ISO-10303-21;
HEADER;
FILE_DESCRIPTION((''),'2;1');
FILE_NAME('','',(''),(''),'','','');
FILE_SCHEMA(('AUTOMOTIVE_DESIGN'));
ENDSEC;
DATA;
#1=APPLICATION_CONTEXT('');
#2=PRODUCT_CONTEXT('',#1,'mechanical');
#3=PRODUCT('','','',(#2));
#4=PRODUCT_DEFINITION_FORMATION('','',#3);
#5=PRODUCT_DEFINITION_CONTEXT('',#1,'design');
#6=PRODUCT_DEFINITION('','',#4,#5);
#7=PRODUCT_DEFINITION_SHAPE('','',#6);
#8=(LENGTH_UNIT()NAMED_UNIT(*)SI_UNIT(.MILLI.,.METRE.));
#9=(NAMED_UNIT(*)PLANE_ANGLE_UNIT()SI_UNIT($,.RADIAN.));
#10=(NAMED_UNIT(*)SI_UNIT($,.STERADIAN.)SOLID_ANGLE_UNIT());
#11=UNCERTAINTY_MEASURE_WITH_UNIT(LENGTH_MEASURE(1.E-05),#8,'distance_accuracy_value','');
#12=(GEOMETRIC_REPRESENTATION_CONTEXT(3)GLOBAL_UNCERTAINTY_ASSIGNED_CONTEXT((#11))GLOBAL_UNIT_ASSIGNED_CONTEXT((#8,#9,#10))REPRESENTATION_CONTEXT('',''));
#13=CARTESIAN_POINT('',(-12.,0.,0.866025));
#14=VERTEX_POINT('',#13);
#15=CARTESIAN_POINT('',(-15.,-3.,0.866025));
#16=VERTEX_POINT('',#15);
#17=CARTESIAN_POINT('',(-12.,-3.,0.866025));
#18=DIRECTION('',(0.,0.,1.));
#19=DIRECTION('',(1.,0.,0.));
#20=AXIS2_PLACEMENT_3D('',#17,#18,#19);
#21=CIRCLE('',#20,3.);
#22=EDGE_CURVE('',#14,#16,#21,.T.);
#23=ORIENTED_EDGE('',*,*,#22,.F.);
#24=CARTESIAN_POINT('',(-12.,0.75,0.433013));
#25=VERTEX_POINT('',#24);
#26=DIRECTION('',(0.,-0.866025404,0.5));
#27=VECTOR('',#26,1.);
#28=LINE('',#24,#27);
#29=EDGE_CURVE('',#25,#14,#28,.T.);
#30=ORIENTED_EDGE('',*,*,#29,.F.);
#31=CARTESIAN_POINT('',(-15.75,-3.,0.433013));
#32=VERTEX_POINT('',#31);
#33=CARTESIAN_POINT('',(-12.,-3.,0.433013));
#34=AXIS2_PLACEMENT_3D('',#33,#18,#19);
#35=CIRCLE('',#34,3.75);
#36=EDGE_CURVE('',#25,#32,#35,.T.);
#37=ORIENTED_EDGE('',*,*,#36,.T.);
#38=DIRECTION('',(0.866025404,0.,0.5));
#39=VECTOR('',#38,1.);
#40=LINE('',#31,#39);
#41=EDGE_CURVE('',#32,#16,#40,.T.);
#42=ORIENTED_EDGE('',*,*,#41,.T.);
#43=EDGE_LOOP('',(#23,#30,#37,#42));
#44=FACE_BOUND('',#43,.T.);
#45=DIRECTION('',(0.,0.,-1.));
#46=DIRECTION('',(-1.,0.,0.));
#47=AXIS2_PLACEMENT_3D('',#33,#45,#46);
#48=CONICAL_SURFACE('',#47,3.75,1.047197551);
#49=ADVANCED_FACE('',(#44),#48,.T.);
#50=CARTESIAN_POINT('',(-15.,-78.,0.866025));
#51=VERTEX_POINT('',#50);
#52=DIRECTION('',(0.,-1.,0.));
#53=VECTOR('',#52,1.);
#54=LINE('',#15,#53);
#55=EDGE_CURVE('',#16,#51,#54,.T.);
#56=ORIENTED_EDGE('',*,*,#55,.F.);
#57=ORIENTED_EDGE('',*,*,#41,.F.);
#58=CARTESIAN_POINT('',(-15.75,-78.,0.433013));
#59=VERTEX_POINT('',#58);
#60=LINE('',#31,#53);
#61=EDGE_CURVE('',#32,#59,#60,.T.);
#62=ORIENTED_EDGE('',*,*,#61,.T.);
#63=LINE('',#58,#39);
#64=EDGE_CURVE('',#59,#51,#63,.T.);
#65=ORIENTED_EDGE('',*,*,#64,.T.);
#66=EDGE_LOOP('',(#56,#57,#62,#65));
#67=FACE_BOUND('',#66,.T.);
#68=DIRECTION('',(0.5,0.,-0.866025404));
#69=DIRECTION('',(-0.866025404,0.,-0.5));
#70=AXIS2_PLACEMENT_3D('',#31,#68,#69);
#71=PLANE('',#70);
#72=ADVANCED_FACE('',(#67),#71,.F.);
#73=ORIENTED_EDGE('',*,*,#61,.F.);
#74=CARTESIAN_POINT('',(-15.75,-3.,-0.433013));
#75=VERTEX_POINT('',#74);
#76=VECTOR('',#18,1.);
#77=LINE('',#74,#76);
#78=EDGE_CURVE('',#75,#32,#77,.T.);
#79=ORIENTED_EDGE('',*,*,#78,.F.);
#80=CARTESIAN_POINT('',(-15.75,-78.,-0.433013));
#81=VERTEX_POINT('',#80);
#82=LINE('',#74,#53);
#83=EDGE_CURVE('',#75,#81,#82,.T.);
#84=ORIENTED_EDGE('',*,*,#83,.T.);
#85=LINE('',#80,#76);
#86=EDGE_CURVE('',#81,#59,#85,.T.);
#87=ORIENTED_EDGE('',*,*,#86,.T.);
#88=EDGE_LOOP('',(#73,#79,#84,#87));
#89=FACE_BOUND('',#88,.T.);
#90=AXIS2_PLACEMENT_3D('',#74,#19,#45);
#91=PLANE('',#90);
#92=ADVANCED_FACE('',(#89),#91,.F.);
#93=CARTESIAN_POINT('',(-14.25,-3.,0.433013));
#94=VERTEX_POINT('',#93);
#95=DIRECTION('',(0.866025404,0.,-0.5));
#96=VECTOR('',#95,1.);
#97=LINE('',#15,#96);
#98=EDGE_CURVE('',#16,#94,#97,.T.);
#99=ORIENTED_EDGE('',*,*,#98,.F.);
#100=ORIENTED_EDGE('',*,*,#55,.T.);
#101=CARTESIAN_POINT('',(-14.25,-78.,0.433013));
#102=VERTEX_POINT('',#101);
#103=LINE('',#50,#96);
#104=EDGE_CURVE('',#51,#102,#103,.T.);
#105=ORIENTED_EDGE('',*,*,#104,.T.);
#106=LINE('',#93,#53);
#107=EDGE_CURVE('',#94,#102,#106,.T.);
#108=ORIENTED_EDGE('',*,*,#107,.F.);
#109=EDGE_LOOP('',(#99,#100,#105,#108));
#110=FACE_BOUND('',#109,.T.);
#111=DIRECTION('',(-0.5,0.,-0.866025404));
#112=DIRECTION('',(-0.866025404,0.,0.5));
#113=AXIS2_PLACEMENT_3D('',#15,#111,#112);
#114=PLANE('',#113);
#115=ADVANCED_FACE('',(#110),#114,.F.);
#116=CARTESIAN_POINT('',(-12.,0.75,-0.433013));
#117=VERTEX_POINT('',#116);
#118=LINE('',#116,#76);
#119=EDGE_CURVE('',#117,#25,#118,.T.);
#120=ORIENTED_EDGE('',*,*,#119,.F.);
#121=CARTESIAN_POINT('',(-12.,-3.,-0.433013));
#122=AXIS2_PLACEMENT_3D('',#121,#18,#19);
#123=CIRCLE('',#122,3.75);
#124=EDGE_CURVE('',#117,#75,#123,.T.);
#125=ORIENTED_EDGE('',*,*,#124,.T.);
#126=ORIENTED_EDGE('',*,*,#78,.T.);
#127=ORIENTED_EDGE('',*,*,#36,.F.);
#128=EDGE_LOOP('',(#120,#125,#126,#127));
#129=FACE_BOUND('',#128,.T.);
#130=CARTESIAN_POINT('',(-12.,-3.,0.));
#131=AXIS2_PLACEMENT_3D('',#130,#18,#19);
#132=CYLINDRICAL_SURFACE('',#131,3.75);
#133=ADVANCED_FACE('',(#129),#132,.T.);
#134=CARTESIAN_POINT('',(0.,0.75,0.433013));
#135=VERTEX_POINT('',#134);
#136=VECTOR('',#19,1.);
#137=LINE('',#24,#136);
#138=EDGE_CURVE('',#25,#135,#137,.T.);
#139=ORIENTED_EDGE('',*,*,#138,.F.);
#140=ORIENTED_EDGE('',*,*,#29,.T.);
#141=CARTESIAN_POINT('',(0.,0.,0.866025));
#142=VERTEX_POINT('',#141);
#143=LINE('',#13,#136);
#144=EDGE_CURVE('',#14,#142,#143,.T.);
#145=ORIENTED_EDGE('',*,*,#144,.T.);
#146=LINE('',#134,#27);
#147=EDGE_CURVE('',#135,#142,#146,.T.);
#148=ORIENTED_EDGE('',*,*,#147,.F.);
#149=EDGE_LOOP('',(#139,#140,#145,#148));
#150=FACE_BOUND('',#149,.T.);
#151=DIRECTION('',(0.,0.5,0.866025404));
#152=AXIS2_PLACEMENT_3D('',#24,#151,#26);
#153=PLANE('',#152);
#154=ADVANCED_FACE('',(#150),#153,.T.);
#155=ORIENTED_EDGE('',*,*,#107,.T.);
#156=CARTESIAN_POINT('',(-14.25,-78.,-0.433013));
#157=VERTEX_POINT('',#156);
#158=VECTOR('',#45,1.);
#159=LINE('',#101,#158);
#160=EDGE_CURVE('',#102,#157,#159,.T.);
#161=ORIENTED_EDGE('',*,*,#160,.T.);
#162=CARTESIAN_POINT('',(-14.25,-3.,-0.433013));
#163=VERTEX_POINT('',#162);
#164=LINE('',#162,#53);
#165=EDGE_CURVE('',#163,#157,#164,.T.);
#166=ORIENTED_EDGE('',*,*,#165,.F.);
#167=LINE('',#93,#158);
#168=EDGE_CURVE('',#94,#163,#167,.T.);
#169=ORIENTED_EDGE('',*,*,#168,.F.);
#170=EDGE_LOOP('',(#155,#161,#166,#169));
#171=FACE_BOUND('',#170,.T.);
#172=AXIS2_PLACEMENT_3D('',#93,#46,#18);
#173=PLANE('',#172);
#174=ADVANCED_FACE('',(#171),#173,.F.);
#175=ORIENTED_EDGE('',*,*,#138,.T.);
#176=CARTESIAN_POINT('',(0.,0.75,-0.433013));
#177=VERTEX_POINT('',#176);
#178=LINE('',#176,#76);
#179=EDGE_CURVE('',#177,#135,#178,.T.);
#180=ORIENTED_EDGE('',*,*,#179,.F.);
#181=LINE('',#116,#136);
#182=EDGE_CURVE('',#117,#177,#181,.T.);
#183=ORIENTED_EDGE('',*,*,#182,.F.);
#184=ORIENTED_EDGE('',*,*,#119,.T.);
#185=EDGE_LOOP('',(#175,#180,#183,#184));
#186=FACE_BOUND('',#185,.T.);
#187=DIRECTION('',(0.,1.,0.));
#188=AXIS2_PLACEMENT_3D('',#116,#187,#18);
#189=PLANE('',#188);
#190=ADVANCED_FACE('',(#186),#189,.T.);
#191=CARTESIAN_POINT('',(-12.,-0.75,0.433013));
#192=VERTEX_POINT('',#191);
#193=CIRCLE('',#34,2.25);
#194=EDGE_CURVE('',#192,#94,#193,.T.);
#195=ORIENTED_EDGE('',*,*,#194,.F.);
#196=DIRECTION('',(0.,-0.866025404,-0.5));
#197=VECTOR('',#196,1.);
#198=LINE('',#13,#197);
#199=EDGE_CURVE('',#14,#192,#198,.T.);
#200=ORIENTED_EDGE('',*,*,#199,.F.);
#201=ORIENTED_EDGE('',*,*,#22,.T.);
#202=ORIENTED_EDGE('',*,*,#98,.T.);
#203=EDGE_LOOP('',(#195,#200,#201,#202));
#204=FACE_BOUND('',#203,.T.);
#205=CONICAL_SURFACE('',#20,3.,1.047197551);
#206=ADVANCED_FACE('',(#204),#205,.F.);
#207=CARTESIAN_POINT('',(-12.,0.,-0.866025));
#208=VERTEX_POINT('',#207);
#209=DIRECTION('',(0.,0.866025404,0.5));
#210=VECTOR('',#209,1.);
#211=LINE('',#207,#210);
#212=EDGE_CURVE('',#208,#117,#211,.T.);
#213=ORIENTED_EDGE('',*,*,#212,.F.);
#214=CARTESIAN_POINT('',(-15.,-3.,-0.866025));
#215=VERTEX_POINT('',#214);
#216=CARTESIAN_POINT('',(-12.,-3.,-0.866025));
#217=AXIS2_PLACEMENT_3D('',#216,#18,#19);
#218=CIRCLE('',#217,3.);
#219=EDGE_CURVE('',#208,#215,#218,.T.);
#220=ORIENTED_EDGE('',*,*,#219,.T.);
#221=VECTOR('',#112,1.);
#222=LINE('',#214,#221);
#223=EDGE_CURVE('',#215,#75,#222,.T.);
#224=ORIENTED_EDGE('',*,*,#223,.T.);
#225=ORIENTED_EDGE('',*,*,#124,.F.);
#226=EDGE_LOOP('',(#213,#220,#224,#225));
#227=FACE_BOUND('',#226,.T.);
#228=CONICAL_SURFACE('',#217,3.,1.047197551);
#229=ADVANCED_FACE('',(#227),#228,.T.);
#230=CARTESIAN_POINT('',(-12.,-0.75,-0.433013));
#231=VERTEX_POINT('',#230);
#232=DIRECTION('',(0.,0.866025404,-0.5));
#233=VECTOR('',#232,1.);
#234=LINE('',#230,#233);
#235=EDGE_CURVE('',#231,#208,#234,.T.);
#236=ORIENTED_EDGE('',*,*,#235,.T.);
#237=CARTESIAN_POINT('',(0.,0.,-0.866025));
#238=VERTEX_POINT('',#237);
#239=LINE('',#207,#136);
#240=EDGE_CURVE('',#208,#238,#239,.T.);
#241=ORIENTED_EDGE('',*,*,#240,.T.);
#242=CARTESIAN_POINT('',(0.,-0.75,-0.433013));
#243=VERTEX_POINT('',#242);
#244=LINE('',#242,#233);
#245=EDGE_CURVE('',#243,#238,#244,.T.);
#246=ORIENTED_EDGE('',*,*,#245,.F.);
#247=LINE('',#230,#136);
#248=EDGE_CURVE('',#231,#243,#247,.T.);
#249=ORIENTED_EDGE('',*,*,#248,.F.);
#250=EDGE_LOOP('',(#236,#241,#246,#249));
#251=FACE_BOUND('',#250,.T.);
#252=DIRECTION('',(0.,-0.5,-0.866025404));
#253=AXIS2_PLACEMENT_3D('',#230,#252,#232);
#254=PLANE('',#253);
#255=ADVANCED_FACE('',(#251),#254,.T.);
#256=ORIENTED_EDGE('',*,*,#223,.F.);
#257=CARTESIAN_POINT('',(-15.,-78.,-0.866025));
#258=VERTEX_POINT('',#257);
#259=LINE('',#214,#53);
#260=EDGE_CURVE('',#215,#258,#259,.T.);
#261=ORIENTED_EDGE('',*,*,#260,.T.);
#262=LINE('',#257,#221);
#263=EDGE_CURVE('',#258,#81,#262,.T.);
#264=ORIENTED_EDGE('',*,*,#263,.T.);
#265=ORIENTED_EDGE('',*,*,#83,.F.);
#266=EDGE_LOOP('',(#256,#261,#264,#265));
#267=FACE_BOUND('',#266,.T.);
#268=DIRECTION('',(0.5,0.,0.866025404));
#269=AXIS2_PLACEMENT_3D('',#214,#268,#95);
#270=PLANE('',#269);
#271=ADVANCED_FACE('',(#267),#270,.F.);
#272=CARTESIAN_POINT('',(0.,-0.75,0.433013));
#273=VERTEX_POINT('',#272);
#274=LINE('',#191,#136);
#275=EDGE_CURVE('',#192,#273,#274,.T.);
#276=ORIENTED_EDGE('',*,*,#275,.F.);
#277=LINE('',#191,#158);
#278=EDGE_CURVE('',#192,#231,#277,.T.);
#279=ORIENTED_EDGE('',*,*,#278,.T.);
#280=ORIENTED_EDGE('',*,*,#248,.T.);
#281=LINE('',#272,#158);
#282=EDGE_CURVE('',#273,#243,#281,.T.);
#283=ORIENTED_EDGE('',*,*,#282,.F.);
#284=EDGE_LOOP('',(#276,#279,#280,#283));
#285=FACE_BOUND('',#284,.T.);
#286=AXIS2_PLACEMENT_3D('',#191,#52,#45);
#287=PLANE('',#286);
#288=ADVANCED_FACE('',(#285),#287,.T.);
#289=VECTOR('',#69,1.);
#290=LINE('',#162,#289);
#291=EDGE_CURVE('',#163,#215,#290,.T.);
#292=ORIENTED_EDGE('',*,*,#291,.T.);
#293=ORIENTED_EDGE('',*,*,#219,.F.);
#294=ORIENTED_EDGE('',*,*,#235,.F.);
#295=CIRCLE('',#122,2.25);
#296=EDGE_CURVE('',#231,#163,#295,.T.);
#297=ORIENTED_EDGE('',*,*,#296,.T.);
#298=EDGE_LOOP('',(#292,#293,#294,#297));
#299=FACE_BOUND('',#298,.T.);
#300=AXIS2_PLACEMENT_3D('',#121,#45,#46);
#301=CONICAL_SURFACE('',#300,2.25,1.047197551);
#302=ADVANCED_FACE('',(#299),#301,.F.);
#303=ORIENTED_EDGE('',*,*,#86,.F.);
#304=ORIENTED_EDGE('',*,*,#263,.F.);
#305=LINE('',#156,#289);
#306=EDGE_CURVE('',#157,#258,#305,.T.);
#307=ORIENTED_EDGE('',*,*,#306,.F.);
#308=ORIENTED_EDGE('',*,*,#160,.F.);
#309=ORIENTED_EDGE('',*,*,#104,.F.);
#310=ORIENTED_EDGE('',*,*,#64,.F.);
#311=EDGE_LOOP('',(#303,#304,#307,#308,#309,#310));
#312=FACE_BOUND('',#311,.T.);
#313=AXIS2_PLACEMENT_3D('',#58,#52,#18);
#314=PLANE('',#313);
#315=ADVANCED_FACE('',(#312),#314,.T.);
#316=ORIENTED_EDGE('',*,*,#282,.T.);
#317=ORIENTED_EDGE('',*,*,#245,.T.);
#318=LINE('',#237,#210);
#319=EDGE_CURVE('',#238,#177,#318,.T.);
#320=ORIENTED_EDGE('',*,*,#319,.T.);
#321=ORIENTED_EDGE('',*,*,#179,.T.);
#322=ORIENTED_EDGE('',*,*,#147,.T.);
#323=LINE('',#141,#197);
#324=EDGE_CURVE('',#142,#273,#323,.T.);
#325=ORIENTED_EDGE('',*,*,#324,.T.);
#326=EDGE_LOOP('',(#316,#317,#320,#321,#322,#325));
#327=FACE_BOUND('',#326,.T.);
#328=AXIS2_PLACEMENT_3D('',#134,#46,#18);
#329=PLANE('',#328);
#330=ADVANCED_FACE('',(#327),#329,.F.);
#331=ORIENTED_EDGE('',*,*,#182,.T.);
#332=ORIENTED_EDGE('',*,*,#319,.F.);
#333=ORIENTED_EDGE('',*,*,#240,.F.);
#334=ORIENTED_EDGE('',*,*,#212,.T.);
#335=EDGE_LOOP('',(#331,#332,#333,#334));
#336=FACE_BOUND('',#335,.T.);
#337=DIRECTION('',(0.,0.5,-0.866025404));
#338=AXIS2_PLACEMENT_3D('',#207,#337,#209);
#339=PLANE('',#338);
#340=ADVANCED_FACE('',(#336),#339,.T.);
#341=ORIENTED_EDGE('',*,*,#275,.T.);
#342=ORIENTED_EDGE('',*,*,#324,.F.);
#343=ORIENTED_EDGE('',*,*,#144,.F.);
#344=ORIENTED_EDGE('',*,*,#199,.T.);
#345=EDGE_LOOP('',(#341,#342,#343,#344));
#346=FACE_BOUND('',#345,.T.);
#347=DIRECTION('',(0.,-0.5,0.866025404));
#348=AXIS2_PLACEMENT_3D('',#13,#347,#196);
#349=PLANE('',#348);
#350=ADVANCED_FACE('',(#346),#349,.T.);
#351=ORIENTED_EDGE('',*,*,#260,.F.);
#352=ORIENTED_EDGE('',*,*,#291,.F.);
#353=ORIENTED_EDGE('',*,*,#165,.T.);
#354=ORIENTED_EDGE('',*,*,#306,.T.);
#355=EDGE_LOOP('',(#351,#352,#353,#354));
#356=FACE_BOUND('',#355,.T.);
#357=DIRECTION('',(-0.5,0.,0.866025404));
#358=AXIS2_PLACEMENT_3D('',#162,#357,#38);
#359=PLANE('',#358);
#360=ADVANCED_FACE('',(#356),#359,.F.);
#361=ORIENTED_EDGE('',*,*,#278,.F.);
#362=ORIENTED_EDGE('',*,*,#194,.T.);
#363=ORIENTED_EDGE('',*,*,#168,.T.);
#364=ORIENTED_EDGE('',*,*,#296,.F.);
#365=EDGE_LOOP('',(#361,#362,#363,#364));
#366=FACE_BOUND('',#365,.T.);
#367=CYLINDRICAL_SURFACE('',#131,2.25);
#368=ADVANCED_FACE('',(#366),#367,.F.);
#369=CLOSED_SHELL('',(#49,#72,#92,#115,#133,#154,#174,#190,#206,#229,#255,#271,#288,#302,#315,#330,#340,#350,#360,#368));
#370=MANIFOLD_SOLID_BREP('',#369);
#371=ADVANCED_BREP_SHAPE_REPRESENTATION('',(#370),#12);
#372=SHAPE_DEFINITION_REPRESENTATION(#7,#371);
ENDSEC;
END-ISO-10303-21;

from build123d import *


with BuildPart() as part:
    # 6mm: sweep along a path in Sketch1
    with BuildLine(Plane.XY) as f_6mm_path:
        Line((0, 0), (-12, 0))
        ThreePointArc((-12, 0), (-14.121320344, -0.878679656), (-15, -3))
        Line((-15, -3), (-15, -78))
    # Sketch 6m → 6mm (sweep)
    with BuildSketch(Plane(origin=(0, 0, 0), x_dir=(0, 0, -1), z_dir=(1, 0, 0))):
        Polygon((-0.866025404, 0), (-0.433012702, -0.75), (0.433012702, -0.75), (0.866025404, 0), (0.433012702, 0.75), (-0.433012702, 0.75), align=None)
    sweep(path=f_6mm_path.line)


solid = part.part
